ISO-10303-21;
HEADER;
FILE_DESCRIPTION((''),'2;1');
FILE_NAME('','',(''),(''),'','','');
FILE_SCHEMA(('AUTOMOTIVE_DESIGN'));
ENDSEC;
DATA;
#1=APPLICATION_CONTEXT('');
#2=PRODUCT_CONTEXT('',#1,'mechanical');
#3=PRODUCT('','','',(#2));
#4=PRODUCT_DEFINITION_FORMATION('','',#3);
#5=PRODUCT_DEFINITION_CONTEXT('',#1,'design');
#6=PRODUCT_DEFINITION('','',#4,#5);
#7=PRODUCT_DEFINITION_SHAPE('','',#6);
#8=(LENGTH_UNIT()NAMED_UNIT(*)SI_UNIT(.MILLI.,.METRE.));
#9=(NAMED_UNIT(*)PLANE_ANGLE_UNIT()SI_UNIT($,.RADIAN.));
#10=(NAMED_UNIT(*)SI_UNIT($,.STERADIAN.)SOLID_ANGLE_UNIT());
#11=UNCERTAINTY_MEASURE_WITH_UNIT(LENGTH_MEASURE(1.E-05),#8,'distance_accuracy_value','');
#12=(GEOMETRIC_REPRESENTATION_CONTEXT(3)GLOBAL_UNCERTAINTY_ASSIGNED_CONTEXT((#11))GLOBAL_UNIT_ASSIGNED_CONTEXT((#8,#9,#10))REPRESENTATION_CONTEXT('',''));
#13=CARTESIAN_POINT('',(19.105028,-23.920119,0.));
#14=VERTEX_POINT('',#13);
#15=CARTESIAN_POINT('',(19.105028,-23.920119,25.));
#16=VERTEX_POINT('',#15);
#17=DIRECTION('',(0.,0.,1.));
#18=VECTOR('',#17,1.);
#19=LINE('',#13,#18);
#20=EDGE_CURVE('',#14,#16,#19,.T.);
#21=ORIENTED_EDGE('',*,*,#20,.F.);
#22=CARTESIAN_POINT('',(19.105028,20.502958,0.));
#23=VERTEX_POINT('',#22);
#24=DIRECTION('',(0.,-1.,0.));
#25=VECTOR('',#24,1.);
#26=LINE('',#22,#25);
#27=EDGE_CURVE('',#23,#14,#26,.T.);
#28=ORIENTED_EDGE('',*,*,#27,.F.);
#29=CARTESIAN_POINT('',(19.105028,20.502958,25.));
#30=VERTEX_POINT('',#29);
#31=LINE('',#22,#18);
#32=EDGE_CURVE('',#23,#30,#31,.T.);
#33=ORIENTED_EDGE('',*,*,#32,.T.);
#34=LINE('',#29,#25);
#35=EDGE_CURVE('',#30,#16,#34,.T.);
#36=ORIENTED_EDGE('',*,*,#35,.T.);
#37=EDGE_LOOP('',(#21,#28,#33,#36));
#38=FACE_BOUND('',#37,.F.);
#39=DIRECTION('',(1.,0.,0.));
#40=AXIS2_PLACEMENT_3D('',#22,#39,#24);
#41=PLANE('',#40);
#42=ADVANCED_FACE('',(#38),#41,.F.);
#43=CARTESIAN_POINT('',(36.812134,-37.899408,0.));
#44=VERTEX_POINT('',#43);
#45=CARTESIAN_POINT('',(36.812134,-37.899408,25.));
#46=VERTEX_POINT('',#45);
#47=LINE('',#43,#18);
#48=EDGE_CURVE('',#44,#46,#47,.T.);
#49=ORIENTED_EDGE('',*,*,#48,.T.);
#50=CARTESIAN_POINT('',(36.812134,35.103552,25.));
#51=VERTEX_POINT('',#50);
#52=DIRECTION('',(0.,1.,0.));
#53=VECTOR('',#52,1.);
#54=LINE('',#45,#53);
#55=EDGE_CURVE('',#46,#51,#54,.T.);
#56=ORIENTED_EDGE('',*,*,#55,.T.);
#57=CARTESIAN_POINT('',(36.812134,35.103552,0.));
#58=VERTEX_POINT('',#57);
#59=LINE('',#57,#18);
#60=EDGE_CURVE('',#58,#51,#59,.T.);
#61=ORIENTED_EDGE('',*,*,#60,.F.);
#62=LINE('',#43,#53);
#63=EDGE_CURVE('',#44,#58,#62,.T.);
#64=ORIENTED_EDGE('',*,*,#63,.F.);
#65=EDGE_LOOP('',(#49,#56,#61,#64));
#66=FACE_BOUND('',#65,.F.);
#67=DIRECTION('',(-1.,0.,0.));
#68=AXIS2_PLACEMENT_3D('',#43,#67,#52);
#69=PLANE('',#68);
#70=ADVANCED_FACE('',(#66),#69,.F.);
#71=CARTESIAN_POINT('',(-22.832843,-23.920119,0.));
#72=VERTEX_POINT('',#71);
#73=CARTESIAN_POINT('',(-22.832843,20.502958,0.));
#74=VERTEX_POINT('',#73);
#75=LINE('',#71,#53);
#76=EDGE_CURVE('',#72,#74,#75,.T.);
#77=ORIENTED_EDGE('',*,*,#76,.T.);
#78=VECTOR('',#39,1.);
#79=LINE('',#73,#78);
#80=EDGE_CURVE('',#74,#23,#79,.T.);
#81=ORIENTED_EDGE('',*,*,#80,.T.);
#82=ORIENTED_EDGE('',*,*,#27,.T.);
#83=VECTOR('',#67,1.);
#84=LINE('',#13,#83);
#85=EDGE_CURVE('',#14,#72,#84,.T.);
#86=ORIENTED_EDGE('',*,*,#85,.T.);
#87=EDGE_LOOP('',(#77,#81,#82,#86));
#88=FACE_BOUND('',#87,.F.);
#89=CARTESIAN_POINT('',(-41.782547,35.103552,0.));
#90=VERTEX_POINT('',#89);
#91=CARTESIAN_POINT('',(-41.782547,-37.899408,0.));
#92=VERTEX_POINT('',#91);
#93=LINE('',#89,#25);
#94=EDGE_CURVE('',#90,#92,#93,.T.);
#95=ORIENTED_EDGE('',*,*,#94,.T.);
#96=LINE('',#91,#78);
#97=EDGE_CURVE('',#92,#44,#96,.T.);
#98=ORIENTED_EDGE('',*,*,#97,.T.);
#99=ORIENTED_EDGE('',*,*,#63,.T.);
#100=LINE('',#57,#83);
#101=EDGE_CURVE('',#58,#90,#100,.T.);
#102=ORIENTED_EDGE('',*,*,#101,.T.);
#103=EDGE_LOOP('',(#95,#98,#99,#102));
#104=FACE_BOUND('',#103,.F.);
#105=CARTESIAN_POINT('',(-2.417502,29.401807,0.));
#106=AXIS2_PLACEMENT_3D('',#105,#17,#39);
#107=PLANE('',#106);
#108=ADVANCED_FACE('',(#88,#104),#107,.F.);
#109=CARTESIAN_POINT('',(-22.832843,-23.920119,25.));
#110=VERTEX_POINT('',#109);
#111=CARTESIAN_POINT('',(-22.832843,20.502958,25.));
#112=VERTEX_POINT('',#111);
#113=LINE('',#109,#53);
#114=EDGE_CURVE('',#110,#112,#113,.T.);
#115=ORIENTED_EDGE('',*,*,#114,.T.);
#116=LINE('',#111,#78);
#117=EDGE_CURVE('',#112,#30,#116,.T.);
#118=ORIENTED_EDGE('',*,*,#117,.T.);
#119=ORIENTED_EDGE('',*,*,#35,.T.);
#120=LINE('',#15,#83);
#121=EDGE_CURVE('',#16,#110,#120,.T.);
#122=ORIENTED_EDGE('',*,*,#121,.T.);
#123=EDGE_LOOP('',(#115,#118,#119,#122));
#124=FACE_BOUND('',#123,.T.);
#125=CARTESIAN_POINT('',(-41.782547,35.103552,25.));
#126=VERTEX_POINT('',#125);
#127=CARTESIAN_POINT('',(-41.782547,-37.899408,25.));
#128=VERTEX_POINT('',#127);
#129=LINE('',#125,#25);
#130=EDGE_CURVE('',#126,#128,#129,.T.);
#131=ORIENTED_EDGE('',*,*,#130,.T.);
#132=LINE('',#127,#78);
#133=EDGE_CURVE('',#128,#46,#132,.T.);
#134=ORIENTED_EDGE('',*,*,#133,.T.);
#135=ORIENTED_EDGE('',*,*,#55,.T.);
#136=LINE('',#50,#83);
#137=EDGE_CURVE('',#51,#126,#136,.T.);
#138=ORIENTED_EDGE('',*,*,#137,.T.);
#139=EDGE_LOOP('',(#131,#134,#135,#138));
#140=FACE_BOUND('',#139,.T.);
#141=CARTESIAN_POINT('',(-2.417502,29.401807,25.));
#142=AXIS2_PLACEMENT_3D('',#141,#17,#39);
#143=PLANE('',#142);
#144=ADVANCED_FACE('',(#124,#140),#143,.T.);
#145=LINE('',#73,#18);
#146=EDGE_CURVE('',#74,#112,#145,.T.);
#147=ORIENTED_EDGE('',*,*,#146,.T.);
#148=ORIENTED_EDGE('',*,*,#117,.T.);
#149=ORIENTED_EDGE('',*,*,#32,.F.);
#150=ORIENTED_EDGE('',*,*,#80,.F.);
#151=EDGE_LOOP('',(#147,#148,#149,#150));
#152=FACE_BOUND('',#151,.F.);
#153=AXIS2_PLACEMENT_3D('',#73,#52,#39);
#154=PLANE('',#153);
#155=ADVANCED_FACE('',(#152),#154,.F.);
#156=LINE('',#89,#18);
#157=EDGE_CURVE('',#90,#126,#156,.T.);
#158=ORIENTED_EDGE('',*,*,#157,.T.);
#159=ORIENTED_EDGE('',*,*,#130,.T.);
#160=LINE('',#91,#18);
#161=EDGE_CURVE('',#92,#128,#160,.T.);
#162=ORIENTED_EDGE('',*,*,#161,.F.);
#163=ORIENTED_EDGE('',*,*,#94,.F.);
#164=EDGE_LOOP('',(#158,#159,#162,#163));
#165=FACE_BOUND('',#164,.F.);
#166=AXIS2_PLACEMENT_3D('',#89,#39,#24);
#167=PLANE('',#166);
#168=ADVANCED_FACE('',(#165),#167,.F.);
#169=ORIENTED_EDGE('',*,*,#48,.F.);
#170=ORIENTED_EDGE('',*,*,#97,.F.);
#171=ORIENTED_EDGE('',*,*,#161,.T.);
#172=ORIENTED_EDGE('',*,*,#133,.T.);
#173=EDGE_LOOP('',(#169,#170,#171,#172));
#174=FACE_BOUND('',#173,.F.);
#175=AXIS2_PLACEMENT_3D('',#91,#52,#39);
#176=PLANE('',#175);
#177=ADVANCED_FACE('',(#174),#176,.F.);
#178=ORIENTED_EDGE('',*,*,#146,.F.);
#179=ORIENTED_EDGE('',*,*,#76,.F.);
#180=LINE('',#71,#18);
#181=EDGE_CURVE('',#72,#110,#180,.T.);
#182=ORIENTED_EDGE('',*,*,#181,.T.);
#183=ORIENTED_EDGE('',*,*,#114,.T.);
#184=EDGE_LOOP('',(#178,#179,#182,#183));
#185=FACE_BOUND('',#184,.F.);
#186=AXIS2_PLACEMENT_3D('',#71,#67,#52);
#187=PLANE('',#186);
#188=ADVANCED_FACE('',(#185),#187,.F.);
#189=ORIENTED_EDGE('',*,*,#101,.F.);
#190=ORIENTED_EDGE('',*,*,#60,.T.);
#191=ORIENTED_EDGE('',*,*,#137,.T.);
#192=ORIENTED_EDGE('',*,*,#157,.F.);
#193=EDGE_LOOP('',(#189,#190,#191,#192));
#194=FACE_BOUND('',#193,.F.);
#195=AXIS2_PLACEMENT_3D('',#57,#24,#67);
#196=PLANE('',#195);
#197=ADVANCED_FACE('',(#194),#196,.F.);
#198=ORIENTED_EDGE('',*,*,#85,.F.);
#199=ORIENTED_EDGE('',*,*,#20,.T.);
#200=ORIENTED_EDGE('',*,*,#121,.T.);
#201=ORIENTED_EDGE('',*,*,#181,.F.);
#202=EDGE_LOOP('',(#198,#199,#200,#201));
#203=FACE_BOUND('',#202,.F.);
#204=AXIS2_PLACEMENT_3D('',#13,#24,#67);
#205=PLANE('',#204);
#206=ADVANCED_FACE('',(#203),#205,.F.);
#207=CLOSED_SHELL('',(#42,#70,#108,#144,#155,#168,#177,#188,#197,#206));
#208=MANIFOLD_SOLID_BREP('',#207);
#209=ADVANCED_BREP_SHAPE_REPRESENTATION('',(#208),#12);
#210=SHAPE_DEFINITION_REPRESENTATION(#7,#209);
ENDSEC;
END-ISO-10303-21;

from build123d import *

# Parameters (mm, degrees)
F1_DEPTH = 25


with BuildPart() as f1:
    # F0 (on Top) → F1 (new body)
    with BuildSketch(Plane.XY):
        Polygon((36.812134, 35.103552), (-38.986687, 35.103552), (-41.782547, 35.103552), (-22.832843, 20.502958), (19.105028, 20.502958), align=None)
        Polygon((36.812134, -37.899408), (36.812134, 35.103552), (19.105028, 20.502958), (19.105028, -23.920119), align=None)
        Polygon((-22.832843, 20.502958), (-41.782547, 35.103552), (-41.782547, -37.899408), (-22.832843, -23.920119), align=None)
        Polygon((-41.782547, -37.899408), (36.812134, -37.899408), (19.105028, -23.920119), (-22.832843, -23.920119), align=None)
    extrude(amount=F1_DEPTH)


solid = f1.part
